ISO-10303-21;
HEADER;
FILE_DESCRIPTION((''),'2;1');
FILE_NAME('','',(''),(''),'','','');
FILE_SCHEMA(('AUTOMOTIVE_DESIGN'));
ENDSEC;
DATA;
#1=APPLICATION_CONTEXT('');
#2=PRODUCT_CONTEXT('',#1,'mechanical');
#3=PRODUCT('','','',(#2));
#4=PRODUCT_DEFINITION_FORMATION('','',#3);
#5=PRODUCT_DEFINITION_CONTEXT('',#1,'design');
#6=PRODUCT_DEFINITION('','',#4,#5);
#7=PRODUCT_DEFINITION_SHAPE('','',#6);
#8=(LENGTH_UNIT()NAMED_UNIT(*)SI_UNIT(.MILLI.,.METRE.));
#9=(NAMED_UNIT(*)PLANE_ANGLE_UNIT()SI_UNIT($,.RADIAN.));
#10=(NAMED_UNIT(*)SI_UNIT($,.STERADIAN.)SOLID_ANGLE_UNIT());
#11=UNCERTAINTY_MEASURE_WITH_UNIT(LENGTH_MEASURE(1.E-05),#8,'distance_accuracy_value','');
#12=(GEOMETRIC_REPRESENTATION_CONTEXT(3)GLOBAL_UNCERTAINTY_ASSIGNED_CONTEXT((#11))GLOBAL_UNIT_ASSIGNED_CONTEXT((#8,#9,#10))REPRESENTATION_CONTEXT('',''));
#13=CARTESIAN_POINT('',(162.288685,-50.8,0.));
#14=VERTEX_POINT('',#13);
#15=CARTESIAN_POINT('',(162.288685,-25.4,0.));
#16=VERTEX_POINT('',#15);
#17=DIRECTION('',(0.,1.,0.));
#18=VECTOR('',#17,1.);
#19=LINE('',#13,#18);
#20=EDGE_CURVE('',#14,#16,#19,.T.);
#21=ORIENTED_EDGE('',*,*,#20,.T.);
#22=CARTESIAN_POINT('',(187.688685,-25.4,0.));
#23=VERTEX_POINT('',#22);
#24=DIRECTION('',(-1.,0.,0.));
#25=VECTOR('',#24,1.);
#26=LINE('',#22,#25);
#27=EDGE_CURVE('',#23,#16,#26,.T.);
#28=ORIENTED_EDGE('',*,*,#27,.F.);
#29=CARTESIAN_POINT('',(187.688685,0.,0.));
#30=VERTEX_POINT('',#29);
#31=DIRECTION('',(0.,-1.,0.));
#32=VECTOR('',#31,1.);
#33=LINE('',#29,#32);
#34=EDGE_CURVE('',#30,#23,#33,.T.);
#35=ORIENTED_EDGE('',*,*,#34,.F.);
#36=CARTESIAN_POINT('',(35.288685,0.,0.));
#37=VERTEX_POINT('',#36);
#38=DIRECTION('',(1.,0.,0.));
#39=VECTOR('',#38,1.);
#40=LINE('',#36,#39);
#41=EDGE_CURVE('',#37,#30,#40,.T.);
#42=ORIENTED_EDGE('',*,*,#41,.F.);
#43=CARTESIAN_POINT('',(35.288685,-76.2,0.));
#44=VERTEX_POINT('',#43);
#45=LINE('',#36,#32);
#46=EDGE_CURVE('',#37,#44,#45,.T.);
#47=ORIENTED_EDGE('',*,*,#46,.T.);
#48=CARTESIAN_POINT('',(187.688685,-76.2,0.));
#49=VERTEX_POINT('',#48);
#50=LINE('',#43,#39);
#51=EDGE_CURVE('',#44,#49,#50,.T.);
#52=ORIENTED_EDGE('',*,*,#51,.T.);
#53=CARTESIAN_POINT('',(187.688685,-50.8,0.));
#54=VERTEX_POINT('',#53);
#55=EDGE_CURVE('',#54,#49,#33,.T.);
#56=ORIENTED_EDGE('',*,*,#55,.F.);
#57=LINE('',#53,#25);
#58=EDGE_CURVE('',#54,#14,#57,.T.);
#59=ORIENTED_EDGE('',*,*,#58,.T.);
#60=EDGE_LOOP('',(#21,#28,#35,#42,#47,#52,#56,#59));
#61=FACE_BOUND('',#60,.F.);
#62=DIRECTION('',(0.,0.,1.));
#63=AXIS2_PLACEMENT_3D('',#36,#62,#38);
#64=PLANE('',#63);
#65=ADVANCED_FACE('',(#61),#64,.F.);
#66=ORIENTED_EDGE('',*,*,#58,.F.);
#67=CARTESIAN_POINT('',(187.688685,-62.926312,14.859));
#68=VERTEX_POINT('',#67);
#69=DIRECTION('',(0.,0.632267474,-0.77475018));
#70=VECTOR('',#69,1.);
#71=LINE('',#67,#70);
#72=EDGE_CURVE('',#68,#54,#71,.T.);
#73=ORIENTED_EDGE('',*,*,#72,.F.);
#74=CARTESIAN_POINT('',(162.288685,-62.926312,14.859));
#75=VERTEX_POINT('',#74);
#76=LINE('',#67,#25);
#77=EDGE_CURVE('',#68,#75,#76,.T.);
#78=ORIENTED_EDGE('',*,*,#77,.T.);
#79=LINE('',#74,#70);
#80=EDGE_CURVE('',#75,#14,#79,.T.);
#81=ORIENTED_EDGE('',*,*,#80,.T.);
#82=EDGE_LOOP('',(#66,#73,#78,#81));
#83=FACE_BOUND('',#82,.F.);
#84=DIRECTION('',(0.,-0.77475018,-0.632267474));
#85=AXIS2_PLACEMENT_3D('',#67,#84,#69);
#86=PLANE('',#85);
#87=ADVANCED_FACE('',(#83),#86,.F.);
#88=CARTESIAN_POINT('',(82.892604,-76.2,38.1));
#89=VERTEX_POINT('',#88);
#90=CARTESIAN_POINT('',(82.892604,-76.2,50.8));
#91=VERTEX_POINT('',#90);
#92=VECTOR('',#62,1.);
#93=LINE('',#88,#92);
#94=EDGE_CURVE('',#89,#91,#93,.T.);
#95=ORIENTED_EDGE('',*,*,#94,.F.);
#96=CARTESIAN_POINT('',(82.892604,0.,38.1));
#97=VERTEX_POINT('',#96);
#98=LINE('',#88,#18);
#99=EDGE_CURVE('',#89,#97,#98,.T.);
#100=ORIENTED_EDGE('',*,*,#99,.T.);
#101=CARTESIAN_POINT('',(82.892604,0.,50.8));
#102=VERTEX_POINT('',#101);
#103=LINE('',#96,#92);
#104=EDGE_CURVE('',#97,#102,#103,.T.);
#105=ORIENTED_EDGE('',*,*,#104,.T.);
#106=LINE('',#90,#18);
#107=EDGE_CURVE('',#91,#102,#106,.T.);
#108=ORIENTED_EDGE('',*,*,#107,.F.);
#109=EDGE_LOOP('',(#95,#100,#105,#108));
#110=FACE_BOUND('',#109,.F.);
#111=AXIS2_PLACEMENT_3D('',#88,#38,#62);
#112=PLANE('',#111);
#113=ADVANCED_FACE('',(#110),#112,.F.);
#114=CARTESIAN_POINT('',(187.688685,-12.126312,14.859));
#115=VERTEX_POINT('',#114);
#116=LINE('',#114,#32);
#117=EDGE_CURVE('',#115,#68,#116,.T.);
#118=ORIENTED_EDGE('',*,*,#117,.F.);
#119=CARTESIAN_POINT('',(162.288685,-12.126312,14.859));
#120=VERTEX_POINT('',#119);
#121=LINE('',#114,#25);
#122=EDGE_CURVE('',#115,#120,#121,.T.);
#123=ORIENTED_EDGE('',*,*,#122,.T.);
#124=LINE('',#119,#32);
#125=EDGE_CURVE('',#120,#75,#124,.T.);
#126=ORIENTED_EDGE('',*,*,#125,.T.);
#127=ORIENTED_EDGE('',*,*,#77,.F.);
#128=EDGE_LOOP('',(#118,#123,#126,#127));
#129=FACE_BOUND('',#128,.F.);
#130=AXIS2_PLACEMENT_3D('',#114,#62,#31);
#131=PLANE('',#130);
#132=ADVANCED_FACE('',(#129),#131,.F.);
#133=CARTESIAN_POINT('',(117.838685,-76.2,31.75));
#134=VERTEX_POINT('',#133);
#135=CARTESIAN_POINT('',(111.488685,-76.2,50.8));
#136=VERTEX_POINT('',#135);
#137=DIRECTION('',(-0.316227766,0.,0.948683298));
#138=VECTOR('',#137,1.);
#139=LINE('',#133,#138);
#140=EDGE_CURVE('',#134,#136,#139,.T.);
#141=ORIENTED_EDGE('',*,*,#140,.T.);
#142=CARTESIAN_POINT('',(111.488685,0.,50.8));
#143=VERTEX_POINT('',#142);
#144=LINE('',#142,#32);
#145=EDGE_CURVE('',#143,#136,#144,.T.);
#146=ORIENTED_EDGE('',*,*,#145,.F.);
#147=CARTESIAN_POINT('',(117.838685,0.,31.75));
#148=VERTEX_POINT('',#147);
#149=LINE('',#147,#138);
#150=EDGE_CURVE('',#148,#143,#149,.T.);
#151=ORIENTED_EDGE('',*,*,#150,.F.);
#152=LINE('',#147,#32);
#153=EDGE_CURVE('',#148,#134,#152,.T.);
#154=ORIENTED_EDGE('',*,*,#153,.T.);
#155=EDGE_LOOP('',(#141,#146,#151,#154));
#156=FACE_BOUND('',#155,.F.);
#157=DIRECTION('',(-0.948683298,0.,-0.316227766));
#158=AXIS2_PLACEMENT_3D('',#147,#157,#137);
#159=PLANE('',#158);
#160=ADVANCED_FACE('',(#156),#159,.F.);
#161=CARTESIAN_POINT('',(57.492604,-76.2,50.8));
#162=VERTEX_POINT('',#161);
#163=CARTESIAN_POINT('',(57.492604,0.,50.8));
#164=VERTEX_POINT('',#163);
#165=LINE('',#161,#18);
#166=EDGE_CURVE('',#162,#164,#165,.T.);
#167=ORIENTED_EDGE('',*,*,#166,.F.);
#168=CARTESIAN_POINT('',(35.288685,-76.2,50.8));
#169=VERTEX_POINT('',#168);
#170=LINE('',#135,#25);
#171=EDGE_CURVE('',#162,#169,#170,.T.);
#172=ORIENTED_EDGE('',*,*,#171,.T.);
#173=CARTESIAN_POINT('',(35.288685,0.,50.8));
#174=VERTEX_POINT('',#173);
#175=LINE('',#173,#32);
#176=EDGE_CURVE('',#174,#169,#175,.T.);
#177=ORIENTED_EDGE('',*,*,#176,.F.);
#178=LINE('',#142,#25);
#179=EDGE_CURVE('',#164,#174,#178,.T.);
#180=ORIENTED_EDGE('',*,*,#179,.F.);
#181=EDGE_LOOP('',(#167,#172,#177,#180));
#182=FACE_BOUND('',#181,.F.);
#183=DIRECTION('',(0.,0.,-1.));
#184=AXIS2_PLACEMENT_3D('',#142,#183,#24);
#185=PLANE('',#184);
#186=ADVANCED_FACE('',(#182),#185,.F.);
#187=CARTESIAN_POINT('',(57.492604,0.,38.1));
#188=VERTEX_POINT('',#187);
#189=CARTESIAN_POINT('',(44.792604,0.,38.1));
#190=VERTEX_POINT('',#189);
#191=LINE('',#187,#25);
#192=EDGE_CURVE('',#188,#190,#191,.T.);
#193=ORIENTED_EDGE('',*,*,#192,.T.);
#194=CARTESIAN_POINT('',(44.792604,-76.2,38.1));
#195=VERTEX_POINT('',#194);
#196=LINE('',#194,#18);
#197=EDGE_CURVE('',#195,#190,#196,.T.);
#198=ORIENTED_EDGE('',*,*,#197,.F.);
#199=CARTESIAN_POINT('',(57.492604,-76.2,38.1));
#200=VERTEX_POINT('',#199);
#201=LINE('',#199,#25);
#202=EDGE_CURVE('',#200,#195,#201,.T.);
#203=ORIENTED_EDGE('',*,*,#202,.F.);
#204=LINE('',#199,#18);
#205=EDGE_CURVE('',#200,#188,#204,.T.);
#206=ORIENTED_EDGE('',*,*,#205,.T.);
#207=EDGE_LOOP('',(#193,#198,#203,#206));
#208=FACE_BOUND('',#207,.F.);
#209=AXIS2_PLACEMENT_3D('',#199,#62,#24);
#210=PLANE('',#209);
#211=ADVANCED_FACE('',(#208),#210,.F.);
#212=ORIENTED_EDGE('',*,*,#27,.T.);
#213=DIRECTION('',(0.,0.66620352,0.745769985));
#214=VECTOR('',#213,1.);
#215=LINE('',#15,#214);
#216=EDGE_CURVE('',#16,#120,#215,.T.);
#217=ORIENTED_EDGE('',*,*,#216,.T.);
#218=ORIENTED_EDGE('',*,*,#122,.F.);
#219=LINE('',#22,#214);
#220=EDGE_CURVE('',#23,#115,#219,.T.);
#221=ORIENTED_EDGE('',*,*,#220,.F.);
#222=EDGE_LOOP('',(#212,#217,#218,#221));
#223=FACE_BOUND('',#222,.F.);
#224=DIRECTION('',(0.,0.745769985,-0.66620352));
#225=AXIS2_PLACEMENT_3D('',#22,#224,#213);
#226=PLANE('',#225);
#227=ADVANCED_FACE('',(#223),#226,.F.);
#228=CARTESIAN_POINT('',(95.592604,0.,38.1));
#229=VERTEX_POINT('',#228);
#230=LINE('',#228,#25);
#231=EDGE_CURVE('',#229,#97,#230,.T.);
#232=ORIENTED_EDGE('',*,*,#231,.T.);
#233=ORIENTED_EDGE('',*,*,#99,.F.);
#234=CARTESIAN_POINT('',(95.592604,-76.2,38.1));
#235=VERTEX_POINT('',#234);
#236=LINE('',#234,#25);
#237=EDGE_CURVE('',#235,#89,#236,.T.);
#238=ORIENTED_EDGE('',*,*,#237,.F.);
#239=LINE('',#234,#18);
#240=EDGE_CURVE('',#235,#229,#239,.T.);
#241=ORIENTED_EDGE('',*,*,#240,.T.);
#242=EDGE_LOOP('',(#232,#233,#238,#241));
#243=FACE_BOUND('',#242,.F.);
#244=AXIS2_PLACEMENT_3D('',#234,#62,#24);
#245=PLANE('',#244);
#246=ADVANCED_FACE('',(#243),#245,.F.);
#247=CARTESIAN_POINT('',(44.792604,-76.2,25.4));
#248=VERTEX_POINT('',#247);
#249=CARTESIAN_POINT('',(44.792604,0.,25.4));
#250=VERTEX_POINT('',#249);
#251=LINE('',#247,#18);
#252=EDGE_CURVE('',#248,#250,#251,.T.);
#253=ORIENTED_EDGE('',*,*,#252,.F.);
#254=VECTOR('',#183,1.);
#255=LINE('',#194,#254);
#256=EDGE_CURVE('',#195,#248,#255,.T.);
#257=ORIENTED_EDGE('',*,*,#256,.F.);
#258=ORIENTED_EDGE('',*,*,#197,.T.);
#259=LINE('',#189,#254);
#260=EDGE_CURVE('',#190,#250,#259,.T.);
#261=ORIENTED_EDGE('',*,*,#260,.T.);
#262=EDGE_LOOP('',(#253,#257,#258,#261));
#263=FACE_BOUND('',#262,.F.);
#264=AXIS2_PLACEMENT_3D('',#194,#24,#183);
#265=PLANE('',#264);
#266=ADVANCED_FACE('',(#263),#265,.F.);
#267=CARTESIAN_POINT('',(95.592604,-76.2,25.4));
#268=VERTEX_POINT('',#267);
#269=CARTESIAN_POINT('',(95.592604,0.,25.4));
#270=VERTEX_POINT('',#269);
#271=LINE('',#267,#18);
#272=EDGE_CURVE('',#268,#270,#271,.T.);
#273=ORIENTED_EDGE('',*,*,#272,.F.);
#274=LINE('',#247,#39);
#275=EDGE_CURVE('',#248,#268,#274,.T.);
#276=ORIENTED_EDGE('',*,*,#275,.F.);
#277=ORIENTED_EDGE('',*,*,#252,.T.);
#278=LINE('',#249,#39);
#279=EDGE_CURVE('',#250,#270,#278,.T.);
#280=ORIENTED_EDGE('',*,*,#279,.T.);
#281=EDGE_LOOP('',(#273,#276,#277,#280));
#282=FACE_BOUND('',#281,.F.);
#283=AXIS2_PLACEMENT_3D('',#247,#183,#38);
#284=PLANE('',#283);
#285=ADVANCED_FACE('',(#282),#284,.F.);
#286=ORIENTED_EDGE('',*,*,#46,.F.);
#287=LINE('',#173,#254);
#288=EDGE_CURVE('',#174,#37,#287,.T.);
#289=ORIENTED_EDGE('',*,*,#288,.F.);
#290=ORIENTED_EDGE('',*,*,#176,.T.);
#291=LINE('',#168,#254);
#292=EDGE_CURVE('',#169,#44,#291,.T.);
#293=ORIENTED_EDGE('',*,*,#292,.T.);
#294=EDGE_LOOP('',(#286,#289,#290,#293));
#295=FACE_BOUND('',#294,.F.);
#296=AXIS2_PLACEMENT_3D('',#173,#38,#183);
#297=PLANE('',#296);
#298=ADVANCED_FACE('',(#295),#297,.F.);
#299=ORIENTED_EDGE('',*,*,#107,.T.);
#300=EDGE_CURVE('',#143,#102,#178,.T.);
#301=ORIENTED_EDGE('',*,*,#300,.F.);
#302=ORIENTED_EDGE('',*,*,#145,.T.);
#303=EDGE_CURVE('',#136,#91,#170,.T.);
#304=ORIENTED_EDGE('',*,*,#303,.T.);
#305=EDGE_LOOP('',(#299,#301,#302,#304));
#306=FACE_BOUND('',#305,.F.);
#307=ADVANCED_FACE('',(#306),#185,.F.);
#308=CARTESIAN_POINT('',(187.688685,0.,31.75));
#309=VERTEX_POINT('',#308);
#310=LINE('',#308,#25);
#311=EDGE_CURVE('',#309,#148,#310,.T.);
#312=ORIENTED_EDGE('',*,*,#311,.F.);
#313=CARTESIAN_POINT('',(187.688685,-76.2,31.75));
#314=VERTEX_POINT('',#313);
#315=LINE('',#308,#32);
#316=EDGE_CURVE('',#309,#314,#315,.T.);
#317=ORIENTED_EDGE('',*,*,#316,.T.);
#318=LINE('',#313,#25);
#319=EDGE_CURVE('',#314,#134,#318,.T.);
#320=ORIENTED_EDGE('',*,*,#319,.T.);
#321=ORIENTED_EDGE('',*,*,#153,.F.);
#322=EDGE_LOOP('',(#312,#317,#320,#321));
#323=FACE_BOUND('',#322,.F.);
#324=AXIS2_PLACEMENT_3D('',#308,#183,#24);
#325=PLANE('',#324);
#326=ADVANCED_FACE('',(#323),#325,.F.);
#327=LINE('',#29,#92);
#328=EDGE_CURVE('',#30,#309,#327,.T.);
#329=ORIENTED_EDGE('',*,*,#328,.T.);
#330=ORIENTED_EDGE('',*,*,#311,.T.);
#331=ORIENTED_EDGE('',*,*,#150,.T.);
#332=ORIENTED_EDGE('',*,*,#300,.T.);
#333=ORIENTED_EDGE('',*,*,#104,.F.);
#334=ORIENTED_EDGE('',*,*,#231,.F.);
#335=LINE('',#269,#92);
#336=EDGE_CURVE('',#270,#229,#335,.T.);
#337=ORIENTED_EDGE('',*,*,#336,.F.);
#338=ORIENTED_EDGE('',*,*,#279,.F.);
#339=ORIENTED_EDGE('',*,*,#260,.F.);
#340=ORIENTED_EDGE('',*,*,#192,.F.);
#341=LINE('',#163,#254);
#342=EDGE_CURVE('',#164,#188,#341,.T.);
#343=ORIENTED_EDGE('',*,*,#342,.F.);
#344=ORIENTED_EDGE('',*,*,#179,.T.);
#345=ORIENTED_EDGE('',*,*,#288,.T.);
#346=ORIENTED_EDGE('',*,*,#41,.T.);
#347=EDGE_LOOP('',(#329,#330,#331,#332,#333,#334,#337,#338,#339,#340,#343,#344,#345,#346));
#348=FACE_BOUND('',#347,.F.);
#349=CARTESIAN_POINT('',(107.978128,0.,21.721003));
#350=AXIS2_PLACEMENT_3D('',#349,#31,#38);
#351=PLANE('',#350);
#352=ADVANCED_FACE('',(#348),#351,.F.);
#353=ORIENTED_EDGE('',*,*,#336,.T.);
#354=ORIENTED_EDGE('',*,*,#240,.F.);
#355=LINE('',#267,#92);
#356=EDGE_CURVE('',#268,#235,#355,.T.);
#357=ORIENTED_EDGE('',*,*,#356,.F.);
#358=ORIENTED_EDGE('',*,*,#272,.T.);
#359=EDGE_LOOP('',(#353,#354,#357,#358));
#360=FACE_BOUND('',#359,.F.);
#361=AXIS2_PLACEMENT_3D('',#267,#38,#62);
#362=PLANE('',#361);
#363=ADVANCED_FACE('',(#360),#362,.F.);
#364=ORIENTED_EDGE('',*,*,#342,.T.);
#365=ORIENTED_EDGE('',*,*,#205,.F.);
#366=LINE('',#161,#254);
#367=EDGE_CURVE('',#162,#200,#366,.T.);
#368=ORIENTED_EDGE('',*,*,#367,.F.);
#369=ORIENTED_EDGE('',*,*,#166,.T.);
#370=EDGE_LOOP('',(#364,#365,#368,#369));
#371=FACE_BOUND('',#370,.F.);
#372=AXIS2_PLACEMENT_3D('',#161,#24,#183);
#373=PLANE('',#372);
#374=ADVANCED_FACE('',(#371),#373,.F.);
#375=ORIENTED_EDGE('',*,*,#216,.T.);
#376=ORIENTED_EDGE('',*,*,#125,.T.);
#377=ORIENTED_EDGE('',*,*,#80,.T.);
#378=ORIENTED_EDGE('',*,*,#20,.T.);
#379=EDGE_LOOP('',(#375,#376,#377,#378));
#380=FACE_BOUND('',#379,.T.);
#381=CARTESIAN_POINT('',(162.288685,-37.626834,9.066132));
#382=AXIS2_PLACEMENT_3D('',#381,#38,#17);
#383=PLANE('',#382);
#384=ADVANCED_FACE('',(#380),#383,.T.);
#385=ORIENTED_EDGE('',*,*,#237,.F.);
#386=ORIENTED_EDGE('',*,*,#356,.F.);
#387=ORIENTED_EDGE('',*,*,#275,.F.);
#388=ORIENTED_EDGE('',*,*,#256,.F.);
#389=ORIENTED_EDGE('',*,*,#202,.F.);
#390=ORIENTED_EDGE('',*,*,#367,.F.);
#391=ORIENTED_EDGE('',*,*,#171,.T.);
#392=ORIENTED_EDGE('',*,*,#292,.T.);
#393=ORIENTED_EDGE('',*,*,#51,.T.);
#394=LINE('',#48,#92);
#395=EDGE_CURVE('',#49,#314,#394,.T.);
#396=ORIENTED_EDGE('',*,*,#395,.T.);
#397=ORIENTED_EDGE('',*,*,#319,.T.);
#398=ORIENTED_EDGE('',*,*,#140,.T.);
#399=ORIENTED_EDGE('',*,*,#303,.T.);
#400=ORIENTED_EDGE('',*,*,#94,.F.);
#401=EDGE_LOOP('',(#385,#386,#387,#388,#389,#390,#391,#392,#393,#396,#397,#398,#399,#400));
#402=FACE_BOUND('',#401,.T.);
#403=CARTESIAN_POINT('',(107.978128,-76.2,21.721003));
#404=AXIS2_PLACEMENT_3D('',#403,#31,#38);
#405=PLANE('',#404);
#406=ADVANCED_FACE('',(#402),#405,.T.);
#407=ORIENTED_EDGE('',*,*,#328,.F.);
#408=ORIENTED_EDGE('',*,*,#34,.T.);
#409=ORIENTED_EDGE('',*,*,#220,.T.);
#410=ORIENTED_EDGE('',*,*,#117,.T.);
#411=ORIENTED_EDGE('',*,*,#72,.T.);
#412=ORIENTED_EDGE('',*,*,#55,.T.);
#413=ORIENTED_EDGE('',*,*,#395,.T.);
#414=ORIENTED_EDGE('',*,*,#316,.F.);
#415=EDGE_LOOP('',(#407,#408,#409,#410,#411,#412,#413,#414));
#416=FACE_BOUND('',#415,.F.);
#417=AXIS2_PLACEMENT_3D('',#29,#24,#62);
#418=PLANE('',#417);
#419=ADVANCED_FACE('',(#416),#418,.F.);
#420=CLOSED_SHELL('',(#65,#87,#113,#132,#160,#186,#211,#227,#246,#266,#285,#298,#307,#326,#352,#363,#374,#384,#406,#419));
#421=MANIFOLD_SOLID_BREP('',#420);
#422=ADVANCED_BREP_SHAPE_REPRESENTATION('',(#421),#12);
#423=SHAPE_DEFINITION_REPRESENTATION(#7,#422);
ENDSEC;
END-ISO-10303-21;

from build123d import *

# Parameters (mm, degrees)
F1_DEPTH = 76.2
F3_DEPTH = 76.2
F5_DEPTH = 25.4


with BuildPart() as f1:
    # F0 (on Front) → F1 (new body)
    with BuildSketch(Plane.XZ):
        Polygon((35.288685, 50.8), (35.288685, 0), (187.688685, 0), (187.688685, 31.75), (117.838685, 31.75), (111.488685, 50.8), align=None)
    extrude(amount=F1_DEPTH)

    # F2 (on face) → F3 (cut)
    with BuildSketch(Plane.XZ.offset(76.2)):
        Polygon((82.892604, 50.8), (57.492604, 50.8), (57.492604, 38.1), (44.792604, 38.1), (44.792604, 25.4), (95.592604, 25.4), (95.592604, 38.1), (82.892604, 38.1), align=None)
    extrude(amount=-F3_DEPTH, mode=Mode.SUBTRACT)

    # F4 (on face) → F5 (cut)
    with BuildSketch(Plane.YZ.offset(187.688685)):
        Polygon((-62.926312, 14.859), (-50.8, 0), (-25.4, 0), (-12.126312, 14.859), align=None)
    extrude(amount=-F5_DEPTH, mode=Mode.SUBTRACT)


solid = f1.part
